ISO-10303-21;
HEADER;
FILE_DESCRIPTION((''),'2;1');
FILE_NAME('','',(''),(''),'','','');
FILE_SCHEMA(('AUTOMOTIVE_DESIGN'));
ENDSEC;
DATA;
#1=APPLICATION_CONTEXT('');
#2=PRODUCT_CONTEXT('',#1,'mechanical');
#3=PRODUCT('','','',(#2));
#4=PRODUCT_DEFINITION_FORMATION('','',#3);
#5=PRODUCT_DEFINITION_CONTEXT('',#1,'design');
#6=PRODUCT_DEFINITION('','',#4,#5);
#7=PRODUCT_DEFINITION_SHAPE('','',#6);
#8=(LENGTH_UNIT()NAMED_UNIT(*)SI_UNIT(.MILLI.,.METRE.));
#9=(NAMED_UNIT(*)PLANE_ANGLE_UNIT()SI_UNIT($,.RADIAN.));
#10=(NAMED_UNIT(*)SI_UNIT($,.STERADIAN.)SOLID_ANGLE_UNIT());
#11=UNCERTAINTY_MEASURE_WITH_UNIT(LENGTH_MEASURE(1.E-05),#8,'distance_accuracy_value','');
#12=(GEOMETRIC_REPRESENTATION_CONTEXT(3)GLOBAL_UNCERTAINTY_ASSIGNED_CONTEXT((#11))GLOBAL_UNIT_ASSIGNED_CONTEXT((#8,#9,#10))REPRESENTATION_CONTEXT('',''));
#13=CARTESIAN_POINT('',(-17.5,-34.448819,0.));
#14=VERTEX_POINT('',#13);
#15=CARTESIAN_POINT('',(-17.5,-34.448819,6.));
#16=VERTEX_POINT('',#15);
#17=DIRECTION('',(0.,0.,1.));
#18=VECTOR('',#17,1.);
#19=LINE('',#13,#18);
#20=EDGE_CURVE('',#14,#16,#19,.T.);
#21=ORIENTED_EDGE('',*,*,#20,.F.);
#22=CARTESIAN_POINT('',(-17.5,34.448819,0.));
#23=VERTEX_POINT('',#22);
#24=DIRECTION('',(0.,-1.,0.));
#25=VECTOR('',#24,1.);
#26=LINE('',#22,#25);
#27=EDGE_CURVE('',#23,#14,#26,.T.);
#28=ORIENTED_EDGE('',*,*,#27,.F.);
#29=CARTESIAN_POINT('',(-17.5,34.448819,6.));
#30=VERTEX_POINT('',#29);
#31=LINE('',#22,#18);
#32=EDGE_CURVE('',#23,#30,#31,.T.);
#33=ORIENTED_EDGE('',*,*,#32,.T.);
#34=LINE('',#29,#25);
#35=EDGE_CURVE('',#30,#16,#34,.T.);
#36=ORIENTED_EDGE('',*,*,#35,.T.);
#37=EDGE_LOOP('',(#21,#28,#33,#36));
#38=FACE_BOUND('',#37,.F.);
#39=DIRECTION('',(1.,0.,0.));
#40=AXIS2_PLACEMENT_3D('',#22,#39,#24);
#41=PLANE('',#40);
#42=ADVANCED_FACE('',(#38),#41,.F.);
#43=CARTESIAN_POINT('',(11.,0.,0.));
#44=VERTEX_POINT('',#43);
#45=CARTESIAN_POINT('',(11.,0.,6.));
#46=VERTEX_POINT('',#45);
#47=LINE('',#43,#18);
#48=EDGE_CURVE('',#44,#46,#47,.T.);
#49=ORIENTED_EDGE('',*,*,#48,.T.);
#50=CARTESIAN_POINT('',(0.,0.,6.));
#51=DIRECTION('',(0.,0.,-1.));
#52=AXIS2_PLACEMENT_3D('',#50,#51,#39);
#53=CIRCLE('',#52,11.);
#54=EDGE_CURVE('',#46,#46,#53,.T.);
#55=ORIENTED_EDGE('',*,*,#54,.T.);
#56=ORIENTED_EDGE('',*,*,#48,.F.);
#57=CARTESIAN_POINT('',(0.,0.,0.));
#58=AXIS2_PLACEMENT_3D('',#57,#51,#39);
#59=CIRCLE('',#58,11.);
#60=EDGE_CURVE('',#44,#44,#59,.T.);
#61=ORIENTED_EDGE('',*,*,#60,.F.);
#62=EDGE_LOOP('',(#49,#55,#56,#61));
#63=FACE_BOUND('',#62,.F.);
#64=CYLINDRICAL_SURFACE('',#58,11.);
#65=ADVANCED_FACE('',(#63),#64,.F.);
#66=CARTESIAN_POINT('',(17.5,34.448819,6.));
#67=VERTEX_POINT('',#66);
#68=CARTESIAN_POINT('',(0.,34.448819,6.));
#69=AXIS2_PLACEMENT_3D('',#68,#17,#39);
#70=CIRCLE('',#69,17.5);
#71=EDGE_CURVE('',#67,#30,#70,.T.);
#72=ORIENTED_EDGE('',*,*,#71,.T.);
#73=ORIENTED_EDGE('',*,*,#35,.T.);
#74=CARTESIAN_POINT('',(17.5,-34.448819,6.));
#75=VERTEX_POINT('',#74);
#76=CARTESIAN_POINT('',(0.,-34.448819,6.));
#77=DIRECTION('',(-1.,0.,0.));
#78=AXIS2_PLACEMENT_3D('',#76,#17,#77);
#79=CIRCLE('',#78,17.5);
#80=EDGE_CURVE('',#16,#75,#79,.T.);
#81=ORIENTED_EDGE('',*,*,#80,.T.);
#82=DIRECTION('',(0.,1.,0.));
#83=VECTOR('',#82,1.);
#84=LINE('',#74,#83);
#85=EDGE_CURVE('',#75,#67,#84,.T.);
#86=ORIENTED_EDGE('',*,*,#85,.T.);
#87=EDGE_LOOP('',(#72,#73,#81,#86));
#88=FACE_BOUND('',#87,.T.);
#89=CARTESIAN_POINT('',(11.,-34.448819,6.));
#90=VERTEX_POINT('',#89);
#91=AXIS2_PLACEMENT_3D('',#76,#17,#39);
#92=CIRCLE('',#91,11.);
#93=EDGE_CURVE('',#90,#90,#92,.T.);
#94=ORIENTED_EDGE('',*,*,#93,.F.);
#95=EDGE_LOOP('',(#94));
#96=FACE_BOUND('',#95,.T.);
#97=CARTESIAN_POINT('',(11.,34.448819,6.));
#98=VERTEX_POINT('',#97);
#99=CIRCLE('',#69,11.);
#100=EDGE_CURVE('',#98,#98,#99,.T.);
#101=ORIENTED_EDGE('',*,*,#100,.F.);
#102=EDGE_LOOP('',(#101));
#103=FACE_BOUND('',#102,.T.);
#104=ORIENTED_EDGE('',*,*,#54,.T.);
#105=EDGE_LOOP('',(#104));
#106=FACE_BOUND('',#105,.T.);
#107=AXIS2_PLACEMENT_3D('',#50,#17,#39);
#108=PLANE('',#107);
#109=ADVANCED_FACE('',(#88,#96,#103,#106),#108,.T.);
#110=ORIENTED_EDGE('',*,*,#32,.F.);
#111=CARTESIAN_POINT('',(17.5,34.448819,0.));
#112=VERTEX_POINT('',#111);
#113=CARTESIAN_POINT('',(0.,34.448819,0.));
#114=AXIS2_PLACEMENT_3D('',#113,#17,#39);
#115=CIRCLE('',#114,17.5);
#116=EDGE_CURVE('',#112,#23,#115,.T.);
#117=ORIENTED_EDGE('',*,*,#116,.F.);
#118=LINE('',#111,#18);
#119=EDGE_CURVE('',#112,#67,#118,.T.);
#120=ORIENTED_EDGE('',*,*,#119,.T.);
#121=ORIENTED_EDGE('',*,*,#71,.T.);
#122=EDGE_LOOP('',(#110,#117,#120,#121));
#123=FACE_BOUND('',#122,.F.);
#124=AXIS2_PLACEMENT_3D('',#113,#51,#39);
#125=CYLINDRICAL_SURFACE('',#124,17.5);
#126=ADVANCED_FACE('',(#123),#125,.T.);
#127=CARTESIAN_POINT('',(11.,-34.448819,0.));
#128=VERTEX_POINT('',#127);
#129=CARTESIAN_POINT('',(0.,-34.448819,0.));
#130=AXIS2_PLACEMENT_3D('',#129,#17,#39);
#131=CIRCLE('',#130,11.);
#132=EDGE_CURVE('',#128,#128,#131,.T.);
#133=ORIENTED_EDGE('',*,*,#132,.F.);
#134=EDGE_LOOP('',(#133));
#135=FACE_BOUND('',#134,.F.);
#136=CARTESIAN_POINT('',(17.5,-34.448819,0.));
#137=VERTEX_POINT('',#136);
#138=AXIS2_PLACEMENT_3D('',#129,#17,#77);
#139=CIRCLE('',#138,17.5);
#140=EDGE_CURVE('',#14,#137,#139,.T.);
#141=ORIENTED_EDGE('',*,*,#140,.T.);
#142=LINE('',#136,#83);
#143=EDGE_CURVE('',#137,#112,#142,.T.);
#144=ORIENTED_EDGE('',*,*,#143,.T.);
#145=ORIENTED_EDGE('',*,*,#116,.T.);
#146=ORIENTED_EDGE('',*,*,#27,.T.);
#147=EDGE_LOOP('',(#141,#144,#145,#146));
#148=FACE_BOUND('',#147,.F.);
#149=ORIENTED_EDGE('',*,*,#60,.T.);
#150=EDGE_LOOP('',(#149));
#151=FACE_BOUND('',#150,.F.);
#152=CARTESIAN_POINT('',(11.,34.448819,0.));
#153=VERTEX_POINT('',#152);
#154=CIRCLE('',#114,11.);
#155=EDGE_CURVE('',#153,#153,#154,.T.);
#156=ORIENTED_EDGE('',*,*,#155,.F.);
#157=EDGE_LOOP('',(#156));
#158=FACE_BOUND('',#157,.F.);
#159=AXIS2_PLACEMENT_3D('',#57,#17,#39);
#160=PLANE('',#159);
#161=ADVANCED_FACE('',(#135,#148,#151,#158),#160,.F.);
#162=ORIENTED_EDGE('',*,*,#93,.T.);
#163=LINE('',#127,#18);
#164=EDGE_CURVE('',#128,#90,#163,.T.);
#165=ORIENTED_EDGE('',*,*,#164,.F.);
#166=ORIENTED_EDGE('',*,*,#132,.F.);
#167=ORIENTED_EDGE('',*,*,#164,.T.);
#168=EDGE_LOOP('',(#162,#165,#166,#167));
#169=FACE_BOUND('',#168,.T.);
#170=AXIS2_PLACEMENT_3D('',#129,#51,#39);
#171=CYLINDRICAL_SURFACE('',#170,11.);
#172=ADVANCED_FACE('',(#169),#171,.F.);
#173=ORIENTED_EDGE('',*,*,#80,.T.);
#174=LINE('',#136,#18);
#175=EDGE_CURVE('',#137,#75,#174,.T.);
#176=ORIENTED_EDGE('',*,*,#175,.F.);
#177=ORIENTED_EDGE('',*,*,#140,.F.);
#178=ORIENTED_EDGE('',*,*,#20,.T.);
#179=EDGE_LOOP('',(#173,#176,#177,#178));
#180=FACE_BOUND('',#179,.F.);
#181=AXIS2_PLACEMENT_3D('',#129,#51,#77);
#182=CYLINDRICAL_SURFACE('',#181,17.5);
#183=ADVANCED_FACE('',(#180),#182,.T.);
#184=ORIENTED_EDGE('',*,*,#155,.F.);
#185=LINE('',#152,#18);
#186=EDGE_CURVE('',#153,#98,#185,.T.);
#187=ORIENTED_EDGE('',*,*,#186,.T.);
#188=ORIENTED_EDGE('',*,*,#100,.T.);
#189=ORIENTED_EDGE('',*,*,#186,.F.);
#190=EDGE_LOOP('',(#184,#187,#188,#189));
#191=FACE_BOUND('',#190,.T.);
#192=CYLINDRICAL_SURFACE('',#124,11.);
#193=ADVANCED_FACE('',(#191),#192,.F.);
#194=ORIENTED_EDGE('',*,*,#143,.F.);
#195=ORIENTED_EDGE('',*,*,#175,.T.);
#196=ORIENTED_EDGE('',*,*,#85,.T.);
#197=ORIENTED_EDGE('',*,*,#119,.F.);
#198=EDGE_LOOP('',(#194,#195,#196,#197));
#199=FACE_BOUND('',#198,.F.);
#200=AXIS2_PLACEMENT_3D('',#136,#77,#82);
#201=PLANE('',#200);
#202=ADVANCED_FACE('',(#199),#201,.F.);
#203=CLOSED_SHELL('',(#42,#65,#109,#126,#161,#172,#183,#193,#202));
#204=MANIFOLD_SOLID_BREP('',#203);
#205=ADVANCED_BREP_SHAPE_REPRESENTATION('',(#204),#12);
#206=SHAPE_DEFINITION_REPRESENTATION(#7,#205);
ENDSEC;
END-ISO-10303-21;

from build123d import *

# Parameters (mm, degrees)
F0_R     = 11
F1_DEPTH = 6


with BuildPart() as f1:
    # F0 (on Top) → F1 (new body)
    with BuildSketch(Plane.XY):
        with BuildLine():
            Line((17.5, 0), (17.5, 34.448819))
            ThreePointArc((17.5, 34.448819), (0, 51.948819), (-17.5, 34.448819))
            Line((-17.5, 34.448819), (-17.5, -34.448819))
            ThreePointArc((-17.5, -34.448819), (0, -51.948819), (17.5, -34.448819))
            Line((17.5, -34.448819), (17.5, 0))
        make_face()
        with Locations((0, -34.448819)):
            Circle(F0_R, mode=Mode.SUBTRACT)
        with BuildLine():
            ThreePointArc((-11, 0), (0, 11), (11, 0))
            ThreePointArc((11, 0), (0, -11), (-11, 0))
        make_face(mode=Mode.SUBTRACT)
        with Locations((0, 34.448819)):
            Circle(F0_R, mode=Mode.SUBTRACT)
    extrude(amount=F1_DEPTH)


solid = f1.part
